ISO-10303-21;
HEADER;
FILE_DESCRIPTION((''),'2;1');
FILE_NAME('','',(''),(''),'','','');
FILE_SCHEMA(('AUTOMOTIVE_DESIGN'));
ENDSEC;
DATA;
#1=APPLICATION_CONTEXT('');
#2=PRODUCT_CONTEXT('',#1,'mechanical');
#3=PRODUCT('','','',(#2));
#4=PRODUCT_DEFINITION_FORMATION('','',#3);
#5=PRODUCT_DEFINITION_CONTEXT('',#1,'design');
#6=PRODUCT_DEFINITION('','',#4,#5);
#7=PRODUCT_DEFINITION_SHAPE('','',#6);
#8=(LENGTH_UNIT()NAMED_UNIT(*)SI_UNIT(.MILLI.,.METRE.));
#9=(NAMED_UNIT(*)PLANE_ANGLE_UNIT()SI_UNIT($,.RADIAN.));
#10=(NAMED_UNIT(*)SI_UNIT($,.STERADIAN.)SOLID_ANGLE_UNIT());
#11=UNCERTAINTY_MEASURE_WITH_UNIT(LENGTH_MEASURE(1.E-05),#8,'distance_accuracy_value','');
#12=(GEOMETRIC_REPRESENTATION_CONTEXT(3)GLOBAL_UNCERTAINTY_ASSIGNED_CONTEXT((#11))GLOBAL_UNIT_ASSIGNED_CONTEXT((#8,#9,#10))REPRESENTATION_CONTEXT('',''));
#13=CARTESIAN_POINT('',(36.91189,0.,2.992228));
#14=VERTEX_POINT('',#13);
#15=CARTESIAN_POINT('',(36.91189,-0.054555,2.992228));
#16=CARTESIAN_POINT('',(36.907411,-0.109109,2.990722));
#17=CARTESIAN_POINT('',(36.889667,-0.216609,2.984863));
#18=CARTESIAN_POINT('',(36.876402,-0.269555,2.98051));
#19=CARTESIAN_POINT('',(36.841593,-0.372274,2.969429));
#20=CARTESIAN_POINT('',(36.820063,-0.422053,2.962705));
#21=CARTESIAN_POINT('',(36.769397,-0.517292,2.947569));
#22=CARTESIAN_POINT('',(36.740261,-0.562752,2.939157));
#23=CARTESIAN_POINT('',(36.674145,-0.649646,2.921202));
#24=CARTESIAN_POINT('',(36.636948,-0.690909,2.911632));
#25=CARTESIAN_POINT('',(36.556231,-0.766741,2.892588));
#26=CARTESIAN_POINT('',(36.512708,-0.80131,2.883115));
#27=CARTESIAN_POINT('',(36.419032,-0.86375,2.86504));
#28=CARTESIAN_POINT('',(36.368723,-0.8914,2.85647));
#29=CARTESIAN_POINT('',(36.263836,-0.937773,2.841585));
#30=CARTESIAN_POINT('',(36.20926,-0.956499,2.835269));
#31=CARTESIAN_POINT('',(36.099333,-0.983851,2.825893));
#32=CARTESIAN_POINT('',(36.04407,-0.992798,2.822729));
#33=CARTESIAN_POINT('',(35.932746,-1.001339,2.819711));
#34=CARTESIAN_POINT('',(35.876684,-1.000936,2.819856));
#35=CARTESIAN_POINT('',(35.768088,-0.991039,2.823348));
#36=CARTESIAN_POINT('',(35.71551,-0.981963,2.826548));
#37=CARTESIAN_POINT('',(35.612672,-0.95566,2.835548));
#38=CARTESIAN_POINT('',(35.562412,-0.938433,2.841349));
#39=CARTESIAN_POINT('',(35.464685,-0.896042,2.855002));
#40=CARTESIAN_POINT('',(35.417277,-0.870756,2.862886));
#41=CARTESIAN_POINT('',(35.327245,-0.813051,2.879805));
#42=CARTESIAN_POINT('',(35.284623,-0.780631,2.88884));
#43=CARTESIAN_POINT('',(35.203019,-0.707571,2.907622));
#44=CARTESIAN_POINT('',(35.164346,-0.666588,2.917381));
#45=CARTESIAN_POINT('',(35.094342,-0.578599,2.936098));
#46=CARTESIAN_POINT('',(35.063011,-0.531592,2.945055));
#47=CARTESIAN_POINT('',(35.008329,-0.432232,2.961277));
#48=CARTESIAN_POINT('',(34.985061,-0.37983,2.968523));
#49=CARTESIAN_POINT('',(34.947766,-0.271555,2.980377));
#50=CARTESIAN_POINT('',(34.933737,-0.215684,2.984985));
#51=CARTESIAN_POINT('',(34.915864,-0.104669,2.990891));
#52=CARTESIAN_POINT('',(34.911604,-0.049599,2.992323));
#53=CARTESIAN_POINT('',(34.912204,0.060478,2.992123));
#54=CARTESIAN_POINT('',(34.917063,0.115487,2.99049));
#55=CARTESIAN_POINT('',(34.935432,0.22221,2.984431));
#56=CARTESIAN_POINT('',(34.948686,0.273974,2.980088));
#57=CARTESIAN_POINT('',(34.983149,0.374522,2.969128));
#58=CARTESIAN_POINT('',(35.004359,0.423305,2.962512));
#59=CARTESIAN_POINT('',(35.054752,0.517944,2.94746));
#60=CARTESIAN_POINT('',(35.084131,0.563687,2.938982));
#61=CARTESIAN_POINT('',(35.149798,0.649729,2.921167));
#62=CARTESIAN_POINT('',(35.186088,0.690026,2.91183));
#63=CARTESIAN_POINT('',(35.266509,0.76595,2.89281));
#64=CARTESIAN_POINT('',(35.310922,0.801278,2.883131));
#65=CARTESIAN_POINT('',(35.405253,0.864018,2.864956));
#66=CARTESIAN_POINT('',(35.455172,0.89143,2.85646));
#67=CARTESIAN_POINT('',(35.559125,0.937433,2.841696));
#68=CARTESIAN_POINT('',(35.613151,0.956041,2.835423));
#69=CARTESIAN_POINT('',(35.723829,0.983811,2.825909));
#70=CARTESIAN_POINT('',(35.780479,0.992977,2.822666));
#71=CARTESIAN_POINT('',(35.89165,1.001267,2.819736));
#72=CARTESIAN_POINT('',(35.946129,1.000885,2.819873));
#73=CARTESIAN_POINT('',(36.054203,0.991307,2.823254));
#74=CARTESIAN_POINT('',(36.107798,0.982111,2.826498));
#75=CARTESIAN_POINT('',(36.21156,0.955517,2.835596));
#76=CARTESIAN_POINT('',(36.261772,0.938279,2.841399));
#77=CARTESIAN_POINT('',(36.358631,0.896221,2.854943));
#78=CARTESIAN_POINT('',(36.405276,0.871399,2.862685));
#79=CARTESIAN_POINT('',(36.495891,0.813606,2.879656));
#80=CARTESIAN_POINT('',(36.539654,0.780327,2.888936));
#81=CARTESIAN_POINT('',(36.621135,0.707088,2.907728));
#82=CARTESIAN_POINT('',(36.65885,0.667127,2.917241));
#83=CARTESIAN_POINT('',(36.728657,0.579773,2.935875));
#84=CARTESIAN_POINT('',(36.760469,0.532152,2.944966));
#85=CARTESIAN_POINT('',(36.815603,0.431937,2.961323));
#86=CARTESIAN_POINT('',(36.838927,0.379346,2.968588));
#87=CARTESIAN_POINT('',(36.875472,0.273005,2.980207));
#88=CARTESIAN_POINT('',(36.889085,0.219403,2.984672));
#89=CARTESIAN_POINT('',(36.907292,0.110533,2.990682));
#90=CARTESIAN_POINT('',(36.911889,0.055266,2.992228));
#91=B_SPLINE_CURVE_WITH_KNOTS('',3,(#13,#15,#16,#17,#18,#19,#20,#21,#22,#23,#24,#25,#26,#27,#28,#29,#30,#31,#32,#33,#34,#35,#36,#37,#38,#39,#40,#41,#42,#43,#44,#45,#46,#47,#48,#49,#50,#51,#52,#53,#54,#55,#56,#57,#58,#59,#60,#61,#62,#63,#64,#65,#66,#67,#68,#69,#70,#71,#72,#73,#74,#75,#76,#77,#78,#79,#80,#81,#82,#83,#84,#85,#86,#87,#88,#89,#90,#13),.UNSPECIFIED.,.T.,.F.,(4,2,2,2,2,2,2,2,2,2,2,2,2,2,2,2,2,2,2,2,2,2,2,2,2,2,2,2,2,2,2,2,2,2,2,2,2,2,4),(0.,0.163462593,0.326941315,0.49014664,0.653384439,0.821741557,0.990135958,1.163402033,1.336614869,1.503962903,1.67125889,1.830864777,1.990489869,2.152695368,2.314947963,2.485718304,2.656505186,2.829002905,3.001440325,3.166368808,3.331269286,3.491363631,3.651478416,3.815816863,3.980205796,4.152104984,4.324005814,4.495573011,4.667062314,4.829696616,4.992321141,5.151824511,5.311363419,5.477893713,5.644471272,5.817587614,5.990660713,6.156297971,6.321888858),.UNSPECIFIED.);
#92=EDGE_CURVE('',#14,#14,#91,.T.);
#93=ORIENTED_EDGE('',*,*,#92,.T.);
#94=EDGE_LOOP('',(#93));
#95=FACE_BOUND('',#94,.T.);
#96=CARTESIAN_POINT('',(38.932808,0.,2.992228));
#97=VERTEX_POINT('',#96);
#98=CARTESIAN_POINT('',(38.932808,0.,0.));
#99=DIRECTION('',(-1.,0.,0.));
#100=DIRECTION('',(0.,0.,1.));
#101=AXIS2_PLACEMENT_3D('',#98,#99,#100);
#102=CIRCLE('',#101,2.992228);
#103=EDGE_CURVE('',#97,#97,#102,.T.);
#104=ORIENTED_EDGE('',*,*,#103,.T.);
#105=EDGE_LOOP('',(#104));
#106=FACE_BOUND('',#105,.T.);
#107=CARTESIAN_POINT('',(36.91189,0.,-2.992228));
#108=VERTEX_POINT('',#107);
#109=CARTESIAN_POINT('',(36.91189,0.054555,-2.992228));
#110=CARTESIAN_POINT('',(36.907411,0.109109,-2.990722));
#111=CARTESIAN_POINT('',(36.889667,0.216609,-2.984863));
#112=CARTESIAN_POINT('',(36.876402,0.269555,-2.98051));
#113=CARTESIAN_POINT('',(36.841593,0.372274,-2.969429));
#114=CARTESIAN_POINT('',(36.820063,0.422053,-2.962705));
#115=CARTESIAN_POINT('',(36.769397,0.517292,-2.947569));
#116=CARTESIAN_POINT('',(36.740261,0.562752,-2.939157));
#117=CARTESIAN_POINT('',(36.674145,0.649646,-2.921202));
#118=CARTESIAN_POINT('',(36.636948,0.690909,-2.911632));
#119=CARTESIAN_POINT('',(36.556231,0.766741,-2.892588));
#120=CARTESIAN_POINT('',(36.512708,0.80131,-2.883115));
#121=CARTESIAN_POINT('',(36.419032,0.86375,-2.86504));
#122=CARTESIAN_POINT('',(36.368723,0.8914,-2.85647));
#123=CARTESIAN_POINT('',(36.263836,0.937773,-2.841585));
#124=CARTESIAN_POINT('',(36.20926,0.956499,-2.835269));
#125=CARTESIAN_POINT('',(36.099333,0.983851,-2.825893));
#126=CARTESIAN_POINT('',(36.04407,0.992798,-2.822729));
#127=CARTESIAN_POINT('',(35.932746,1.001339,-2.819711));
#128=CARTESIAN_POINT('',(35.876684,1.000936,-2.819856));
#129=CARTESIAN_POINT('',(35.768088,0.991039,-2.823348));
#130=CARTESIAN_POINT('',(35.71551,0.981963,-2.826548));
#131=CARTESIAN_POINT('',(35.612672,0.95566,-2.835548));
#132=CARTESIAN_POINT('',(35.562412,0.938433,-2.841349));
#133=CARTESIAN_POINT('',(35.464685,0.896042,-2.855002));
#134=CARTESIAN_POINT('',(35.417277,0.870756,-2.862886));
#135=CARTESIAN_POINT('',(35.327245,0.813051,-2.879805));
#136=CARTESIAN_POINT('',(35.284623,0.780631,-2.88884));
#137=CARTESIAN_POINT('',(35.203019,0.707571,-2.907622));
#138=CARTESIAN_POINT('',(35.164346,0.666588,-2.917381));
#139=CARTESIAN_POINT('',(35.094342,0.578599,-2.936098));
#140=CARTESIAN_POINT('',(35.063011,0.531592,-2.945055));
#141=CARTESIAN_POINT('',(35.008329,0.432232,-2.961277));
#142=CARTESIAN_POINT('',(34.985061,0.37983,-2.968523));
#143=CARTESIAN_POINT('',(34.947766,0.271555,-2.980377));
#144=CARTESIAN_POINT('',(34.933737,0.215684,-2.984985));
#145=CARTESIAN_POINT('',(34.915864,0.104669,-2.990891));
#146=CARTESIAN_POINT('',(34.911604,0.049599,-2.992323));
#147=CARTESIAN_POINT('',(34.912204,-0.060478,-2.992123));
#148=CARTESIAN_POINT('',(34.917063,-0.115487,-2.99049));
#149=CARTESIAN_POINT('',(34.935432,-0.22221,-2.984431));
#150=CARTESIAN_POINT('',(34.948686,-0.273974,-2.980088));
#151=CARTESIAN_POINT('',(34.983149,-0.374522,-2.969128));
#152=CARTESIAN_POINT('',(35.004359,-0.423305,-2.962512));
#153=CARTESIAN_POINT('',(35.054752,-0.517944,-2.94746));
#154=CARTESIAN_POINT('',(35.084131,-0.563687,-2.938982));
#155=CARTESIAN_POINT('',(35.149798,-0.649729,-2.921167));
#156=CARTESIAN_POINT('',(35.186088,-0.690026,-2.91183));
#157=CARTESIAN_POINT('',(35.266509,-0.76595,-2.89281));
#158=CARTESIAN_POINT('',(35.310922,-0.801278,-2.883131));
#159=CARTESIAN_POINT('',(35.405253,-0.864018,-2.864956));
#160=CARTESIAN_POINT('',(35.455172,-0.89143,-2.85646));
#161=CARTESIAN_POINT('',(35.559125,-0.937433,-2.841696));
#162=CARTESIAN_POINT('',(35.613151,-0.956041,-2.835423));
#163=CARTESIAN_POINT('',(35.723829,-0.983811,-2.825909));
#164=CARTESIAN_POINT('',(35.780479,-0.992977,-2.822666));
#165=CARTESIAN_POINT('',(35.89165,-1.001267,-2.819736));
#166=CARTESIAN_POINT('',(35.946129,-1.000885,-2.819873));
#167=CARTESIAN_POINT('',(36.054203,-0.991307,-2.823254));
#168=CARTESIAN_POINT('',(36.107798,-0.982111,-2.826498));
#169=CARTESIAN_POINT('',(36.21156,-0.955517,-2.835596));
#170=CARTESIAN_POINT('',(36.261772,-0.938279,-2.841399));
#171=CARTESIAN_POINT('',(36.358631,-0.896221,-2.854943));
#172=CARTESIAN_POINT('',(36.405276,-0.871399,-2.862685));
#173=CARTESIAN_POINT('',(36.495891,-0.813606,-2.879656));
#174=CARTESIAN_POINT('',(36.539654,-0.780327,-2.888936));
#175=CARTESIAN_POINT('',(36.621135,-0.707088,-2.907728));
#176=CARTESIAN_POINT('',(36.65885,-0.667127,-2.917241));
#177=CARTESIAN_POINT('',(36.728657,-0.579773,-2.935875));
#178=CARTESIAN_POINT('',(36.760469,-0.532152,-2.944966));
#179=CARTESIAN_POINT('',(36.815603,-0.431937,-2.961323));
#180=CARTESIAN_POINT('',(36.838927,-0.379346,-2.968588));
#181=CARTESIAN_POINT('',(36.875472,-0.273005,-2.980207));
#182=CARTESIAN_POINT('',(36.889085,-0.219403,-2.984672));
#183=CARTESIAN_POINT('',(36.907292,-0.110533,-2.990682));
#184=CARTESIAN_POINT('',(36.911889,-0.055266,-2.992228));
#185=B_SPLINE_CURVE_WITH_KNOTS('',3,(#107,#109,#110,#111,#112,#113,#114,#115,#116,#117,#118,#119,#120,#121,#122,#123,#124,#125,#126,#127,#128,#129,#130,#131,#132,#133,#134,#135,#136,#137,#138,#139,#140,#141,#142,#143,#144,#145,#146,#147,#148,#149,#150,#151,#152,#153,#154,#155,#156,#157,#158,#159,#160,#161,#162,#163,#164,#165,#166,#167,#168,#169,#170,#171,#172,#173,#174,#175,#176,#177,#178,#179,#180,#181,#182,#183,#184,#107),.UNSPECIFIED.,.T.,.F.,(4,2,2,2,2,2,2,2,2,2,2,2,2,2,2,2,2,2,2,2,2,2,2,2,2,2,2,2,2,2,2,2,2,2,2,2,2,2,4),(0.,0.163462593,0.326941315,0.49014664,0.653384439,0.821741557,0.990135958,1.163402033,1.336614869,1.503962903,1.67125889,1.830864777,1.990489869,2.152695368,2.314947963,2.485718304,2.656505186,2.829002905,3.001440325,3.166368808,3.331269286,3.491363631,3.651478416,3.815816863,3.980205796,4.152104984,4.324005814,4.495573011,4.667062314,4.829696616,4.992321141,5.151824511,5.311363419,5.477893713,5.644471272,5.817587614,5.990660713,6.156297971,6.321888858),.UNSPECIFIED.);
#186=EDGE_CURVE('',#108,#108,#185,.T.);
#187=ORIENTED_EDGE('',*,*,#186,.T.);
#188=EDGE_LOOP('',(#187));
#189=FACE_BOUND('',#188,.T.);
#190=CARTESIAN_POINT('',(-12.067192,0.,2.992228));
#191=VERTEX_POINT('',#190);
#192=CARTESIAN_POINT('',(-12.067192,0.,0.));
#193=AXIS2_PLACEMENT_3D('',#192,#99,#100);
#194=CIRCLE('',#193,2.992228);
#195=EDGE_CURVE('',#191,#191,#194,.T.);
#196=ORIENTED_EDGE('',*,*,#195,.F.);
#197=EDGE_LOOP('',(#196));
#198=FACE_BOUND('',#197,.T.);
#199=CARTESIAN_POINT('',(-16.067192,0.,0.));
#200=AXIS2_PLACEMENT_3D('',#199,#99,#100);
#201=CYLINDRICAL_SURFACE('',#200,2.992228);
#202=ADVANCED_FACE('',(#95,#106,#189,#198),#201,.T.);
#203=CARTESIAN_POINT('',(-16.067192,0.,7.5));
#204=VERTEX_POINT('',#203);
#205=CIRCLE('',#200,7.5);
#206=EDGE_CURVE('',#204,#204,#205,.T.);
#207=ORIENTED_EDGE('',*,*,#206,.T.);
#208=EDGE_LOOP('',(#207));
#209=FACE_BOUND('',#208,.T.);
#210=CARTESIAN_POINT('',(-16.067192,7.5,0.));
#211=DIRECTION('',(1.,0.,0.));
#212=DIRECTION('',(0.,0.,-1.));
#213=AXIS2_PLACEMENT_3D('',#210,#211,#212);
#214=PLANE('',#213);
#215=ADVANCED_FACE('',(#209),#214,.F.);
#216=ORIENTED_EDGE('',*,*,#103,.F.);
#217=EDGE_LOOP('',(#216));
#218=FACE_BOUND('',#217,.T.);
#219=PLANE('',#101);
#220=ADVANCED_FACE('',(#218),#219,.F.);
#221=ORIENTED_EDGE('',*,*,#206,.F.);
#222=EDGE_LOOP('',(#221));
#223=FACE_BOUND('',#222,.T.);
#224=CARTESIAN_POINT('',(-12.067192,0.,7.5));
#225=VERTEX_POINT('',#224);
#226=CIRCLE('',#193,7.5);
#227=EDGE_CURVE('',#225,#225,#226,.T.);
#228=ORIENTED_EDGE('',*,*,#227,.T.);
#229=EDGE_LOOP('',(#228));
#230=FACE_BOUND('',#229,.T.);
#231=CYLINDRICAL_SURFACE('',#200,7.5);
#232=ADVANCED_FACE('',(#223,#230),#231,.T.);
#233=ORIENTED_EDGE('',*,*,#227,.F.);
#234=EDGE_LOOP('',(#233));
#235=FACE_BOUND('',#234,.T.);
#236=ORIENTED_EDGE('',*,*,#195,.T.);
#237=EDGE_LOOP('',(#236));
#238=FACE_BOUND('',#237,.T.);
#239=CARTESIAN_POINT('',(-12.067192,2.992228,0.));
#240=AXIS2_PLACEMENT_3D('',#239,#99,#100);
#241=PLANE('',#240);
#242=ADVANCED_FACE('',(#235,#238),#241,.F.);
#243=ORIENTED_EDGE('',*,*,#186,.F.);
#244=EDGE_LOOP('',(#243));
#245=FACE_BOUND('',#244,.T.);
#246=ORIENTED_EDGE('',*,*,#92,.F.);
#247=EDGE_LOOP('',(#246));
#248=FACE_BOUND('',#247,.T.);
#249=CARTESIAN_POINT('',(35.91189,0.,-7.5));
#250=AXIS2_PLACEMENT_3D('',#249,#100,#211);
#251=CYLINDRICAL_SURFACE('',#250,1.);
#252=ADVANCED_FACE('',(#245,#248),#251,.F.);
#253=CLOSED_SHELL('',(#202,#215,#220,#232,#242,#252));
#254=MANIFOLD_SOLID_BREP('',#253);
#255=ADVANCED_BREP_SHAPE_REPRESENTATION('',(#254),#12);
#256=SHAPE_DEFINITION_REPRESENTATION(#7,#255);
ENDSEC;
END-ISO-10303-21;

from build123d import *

# Parameters (mm, degrees)
SKETCH2_R               = 1
CUT_EXTRUDE2_DEPTH      = 8.5
CUT_EXTRUDE2_DEPTH_BACK = 8.5


with BuildPart() as part:
    # Sketch1 → Revolve2 (revolve)
    with BuildSketch(Plane.XY):
        Polygon((-16.067192276, 0), (38.932807724, 0), (38.932807724, 2.992227979), (-12.067192276, 2.992227979), (-12.067192276, 7.5), (-16.067192276, 7.5), align=None)
    revolve(axis=Axis((-16.067192276, 0, 0), (1, 0, 0)))

    # Sketch2 → Cut-Extrude2 (cut, two sides)
    with BuildSketch(Plane.XY) as cut_extrude2_sk:
        with Locations((35.91188951, 0)):
            Circle(SKETCH2_R)
    extrude(amount=CUT_EXTRUDE2_DEPTH, mode=Mode.SUBTRACT)
    extrude(cut_extrude2_sk.sketch, amount=-CUT_EXTRUDE2_DEPTH_BACK, mode=Mode.SUBTRACT)


solid = part.part
